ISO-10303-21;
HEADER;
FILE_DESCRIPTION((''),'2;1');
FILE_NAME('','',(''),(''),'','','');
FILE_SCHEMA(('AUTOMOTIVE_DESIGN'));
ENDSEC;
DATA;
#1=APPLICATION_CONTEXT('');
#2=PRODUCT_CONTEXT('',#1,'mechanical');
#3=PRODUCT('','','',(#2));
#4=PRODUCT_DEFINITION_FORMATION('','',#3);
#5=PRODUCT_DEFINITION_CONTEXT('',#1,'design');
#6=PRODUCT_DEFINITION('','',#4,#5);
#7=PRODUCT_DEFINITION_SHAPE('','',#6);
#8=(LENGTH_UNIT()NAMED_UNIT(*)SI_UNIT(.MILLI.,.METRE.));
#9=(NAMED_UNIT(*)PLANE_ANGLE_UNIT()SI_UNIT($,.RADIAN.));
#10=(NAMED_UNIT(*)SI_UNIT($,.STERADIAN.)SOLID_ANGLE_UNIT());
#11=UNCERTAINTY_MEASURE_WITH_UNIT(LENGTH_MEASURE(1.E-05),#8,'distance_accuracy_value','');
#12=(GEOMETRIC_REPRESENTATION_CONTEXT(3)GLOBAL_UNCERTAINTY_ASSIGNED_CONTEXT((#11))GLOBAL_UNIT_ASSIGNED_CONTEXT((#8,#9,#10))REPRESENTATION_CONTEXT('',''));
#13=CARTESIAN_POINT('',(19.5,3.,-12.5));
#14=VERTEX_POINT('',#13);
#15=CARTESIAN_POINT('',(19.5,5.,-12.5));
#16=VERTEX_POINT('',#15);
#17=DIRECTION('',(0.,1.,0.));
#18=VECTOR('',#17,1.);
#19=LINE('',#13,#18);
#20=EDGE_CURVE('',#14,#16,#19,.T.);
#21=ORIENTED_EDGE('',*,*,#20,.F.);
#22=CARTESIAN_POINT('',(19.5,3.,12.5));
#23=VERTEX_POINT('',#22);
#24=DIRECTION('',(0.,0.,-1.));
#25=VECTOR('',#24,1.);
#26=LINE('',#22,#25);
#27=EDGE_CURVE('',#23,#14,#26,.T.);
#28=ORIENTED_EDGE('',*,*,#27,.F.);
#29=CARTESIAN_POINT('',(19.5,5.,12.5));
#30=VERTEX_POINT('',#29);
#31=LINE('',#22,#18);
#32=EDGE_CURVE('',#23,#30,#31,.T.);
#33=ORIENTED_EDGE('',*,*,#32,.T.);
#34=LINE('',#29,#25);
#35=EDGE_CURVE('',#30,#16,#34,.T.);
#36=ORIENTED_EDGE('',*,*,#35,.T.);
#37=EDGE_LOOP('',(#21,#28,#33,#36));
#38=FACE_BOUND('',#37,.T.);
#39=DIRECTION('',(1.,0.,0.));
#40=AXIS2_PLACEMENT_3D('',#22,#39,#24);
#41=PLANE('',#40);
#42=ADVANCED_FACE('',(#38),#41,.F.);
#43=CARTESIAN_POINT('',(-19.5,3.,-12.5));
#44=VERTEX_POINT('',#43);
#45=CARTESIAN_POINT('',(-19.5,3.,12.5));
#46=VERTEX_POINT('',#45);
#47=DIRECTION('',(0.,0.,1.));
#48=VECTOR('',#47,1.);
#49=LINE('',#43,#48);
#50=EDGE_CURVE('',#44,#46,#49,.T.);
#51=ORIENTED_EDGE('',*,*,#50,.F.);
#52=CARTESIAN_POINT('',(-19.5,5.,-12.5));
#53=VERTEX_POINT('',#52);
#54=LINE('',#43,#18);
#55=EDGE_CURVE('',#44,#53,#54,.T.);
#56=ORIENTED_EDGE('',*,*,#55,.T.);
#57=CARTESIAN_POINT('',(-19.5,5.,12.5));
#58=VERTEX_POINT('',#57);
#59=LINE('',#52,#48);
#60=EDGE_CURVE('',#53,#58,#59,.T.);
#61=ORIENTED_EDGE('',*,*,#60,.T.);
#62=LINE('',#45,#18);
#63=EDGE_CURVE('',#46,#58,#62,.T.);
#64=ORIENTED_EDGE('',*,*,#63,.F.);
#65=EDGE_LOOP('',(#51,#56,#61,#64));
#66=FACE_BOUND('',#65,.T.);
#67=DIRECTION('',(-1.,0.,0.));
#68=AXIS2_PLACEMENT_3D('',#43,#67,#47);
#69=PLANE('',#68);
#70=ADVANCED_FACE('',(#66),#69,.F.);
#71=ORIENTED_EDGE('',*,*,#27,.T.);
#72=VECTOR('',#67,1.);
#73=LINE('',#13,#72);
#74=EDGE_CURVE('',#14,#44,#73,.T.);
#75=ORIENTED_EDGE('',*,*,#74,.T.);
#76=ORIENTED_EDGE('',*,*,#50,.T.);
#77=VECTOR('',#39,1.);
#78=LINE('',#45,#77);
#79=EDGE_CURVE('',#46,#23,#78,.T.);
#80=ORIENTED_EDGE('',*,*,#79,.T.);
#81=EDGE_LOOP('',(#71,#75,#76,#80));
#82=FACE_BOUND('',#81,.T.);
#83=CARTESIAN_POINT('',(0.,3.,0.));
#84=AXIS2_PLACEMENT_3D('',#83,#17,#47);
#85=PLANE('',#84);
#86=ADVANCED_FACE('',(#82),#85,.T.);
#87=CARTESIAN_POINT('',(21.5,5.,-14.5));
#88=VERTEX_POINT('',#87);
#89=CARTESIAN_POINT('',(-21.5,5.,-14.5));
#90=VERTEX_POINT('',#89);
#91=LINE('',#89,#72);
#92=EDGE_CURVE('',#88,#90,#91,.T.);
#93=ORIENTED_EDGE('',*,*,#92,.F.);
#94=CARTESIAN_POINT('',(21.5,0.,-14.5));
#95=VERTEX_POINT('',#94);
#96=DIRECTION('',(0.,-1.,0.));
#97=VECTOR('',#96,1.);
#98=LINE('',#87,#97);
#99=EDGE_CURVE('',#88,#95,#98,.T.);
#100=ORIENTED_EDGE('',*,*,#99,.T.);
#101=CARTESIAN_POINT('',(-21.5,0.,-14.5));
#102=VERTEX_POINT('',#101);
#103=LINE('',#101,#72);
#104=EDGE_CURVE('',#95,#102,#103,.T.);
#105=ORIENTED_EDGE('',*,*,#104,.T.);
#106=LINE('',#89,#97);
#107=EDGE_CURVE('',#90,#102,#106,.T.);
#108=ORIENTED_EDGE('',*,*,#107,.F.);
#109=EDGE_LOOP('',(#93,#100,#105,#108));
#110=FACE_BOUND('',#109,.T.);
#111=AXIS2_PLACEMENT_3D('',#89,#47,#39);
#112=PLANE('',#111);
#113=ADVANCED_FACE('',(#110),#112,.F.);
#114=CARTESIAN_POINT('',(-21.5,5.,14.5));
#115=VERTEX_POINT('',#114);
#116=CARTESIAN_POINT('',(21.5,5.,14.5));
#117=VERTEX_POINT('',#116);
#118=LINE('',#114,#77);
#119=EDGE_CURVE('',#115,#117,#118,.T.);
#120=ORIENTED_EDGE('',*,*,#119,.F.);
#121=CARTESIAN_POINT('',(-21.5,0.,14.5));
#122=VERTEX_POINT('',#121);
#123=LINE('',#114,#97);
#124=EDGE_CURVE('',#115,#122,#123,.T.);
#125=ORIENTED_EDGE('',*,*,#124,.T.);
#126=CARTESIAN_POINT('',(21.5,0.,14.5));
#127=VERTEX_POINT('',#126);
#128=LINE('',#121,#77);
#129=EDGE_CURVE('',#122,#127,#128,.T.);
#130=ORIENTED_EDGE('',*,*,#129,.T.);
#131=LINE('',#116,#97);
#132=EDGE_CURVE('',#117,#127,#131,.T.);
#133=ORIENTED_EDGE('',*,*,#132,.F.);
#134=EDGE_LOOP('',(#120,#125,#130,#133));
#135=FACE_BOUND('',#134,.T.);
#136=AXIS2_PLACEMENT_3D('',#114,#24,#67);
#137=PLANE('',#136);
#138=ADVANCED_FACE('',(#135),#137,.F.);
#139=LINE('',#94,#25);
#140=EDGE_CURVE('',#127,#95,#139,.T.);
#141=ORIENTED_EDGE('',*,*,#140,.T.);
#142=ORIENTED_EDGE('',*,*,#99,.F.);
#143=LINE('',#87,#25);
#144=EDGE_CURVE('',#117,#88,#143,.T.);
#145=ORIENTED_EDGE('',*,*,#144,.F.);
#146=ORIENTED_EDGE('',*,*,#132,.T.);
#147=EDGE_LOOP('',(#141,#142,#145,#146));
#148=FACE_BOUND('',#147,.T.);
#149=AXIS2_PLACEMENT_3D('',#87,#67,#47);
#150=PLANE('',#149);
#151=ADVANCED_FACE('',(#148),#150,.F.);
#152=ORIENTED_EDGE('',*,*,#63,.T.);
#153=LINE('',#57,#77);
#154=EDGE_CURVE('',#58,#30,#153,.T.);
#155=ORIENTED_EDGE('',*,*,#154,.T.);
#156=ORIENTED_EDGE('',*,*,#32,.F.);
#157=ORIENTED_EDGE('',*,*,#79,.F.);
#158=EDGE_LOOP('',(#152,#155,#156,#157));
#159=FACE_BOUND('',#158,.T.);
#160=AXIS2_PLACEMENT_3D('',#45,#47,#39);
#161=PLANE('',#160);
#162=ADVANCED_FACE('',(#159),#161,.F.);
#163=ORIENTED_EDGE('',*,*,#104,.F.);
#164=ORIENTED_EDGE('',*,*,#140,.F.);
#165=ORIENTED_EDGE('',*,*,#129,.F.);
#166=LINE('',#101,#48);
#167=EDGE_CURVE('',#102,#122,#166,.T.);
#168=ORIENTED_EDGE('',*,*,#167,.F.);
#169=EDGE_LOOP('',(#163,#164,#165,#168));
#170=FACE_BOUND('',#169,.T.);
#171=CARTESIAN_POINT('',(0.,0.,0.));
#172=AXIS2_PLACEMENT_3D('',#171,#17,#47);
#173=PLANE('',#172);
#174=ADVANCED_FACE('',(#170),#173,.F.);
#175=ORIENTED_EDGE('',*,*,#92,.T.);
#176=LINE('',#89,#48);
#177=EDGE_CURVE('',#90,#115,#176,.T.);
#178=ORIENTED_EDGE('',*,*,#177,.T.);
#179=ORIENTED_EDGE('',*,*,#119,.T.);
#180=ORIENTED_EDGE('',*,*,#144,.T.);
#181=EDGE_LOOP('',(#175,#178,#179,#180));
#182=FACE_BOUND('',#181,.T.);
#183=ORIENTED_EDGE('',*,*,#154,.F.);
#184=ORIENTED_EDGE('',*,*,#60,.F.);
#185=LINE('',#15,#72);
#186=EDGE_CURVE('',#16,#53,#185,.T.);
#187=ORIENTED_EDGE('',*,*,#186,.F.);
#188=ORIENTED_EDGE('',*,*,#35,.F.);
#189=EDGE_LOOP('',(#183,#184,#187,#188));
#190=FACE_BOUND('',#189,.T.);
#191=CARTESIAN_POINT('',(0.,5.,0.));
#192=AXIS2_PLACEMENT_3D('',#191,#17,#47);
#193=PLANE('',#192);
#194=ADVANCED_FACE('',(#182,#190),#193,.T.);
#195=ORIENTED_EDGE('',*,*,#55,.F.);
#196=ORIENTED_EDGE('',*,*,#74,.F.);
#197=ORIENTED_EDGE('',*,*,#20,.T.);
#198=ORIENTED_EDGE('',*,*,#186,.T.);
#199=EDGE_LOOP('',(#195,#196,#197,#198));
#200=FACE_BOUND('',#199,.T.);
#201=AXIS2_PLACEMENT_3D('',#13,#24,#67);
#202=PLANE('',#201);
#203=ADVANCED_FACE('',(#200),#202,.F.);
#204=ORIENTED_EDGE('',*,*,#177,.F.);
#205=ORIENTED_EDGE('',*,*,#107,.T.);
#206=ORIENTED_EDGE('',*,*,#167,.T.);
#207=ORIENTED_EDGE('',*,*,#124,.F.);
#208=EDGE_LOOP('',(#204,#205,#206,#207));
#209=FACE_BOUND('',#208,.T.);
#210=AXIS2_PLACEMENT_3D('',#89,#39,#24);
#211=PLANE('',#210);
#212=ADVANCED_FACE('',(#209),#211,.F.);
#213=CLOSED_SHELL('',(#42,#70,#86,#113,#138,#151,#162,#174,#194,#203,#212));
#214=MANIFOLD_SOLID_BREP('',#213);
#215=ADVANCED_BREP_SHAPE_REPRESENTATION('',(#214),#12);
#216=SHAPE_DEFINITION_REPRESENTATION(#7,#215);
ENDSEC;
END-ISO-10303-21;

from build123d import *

# Parameters (mm, degrees)
ESQUISSE1_W             = 43
ESQUISSE1_H             = 29
BOSS_EXTRU_1_DEPTH      = 5
ESQUISSE3_W             = 39
ESQUISSE3_H             = 25
ENL_V_MAT_EXTRU_2_DEPTH = 2


with BuildPart() as part:
    # Esquisse1 → Boss.-Extru.1 (new body)
    with BuildSketch(Plane(origin=(0, 0, 0), x_dir=(1, 0, 0), z_dir=(0, 1, 0))):
        Rectangle(ESQUISSE1_W, ESQUISSE1_H)
    extrude(amount=BOSS_EXTRU_1_DEPTH)

    # Esquisse3 → Enlèv. mat.-Extru.2 (cut)
    with BuildSketch(Plane(origin=(0, 5, 0), x_dir=(1, 0, 0), z_dir=(0, 1, 0))):
        Rectangle(ESQUISSE3_W, ESQUISSE3_H)
    extrude(amount=-ENL_V_MAT_EXTRU_2_DEPTH, mode=Mode.SUBTRACT)


solid = part.part
